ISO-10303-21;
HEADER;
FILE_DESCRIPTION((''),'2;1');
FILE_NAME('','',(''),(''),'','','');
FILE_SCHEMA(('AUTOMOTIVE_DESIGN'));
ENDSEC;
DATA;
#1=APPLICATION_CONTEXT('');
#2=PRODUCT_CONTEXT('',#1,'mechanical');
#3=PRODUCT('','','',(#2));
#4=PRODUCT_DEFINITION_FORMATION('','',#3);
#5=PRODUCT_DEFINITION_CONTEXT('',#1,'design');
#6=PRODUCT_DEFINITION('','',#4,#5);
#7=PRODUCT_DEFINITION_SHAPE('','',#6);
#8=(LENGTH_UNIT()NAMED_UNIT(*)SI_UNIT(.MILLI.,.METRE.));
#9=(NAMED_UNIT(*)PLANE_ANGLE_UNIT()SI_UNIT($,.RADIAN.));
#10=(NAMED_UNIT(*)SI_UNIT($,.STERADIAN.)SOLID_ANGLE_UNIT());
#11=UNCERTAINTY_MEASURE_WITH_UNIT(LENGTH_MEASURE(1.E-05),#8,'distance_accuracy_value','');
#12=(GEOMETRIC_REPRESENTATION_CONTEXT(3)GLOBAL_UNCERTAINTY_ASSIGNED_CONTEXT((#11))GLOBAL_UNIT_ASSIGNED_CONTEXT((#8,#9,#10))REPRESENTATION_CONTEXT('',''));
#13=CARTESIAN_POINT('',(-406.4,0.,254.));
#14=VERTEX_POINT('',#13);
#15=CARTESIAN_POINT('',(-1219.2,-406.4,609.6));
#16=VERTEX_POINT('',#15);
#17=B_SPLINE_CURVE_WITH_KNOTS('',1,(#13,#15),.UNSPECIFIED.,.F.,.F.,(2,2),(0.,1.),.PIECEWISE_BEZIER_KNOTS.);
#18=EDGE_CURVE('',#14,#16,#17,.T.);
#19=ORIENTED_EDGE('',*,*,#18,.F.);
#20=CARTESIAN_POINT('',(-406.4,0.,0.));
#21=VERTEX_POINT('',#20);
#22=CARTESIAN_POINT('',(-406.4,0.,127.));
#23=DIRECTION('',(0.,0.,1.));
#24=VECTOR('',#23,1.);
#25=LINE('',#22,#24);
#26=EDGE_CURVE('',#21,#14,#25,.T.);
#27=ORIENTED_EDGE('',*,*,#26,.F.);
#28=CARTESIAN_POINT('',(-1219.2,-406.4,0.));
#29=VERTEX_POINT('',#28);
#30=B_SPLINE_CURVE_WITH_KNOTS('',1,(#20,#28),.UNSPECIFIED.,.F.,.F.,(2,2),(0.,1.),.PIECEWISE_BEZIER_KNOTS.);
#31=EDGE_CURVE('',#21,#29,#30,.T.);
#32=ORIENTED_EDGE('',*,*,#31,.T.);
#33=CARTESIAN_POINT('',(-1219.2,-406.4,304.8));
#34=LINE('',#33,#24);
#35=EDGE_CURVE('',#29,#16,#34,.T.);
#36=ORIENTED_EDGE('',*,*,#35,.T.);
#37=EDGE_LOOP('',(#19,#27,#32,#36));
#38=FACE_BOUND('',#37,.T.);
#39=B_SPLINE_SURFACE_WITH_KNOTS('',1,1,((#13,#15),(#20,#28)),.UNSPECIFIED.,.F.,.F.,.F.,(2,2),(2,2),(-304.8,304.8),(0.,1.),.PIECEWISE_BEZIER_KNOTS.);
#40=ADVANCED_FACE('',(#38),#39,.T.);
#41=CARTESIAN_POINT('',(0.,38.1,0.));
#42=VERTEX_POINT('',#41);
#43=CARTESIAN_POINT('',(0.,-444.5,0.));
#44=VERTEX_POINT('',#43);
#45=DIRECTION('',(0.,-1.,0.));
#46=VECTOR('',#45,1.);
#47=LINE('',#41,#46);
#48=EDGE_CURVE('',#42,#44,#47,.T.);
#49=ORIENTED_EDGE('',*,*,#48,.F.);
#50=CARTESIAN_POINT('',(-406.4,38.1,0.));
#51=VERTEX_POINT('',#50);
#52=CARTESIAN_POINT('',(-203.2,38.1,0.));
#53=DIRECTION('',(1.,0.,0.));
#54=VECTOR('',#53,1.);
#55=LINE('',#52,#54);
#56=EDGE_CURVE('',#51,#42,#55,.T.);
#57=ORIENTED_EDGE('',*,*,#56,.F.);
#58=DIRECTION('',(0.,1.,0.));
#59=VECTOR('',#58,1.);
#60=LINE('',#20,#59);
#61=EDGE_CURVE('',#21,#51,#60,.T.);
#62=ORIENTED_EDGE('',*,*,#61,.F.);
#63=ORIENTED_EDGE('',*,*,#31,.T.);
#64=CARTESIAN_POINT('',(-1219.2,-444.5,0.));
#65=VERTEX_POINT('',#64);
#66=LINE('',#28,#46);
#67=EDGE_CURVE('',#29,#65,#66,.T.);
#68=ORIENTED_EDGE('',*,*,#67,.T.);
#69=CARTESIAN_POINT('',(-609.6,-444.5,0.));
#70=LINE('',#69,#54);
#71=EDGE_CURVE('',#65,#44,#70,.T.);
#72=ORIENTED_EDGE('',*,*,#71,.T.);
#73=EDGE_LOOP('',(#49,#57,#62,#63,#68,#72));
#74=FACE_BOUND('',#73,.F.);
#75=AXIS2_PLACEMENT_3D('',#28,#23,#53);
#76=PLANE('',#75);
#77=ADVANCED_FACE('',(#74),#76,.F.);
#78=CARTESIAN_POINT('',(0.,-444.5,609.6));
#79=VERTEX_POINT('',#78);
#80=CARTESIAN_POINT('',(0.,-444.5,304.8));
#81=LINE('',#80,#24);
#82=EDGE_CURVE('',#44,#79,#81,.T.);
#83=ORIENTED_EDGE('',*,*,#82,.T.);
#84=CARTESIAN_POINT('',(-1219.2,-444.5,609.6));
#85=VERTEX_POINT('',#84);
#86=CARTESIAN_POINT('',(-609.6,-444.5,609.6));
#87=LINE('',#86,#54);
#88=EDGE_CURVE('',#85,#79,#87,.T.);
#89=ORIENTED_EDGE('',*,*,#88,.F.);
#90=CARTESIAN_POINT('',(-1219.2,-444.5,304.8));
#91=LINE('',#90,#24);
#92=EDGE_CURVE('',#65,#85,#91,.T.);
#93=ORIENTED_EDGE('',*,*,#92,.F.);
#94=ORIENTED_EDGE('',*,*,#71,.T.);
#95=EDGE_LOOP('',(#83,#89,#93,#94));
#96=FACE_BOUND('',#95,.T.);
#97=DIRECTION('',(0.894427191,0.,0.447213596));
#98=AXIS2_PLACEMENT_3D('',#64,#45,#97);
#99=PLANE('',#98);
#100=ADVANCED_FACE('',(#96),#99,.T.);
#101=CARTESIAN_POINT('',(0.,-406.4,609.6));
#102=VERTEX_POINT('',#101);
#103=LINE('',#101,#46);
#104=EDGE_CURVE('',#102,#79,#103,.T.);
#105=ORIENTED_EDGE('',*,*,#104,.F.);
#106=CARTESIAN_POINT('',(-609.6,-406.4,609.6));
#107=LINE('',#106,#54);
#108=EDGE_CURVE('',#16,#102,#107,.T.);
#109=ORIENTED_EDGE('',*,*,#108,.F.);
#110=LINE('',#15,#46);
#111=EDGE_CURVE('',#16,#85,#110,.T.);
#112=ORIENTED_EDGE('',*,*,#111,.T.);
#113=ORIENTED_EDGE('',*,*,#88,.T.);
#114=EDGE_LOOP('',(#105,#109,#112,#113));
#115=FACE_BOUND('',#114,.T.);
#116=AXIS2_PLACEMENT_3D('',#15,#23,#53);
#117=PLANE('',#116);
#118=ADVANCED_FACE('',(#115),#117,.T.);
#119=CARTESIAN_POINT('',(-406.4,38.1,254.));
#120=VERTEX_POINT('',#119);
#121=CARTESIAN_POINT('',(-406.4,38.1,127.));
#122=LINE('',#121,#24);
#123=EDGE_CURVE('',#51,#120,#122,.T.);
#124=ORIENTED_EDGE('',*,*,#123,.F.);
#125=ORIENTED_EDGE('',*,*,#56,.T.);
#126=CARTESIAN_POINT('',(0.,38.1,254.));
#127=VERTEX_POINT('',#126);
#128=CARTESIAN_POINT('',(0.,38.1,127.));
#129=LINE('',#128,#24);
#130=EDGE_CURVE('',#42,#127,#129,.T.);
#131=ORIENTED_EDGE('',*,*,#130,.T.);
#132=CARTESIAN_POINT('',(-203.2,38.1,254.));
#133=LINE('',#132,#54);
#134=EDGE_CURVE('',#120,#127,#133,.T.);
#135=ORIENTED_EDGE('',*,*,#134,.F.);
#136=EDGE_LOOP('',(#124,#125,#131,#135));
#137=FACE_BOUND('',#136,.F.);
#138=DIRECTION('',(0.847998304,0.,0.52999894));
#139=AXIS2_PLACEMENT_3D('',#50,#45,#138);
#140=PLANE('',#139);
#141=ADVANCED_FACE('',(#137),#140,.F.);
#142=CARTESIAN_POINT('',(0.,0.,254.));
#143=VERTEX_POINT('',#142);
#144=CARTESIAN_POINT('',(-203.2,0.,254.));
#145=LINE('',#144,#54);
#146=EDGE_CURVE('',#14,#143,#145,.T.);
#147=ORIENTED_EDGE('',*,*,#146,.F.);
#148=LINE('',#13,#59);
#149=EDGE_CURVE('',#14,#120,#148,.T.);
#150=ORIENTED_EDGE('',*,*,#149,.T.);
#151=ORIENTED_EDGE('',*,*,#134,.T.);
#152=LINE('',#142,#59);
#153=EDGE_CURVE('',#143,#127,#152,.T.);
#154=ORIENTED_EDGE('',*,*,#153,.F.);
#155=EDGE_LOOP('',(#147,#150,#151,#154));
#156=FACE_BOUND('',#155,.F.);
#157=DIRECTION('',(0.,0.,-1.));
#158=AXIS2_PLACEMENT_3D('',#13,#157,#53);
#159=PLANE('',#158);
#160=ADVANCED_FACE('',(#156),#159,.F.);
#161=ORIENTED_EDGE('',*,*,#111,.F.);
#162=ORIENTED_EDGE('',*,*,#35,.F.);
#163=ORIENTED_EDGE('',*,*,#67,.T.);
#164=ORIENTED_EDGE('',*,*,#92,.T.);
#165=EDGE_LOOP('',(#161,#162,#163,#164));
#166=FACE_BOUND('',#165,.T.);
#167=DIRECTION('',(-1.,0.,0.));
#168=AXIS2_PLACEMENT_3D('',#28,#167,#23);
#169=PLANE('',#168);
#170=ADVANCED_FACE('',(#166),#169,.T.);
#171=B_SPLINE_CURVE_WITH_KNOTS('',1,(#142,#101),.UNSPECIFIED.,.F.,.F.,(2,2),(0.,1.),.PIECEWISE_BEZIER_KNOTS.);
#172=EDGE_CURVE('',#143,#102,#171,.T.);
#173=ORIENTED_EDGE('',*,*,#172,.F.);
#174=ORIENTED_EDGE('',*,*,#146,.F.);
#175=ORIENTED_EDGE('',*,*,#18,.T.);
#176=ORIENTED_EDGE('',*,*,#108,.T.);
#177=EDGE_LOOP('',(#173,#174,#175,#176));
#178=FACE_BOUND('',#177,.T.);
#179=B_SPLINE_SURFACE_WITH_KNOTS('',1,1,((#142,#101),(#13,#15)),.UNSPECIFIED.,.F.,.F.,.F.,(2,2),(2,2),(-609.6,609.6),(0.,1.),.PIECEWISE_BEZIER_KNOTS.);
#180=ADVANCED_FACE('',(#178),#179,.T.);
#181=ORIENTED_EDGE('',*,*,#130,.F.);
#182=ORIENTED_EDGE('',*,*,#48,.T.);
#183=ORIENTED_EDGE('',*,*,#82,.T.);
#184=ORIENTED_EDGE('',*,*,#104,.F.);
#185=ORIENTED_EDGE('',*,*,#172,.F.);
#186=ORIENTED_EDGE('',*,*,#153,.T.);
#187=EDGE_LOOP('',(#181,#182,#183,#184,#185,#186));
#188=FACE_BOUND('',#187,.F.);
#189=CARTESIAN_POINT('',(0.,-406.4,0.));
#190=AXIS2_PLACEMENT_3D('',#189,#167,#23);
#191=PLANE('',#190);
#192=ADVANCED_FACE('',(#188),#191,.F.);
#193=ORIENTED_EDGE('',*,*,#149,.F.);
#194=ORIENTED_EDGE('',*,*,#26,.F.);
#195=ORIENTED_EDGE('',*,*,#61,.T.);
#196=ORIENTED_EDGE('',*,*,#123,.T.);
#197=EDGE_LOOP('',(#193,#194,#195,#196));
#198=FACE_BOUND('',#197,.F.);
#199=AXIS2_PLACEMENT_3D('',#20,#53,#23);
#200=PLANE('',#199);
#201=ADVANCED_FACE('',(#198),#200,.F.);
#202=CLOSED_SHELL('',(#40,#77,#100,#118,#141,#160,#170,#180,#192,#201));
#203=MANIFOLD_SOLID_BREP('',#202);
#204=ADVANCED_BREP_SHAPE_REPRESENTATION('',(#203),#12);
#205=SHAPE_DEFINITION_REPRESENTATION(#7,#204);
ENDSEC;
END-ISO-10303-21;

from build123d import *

# Parameters (mm, degrees)
F0_W     = 406.4
F0_H     = 254
F2_W     = 1219.2
F2_H     = 609.6
F4_DEPTH = 38.1
F5_DEPTH = 38.1


with BuildPart() as f3:
    # F0 (on Front) → F3 section 0
    with BuildSketch(Plane.XZ):
        with Locations((-203.2, 127)):
            Rectangle(F0_W, F0_H)
    # F2 (on offset) → F3 section 1
    with BuildSketch(Plane.XZ.offset(406.4)):
        with Locations((-609.6, 304.8)):
            Rectangle(F2_W, F2_H)
    loft()

    # F4 (add): a face of the model
    f4_faces = [f3.faces().sort_by_distance(p)[0] for p in [
        (-203.2, 0, 127),
    ]]
    extrude(f4_faces, amount=F4_DEPTH)

    # F5 (add): a face of the model
    f5_faces = [f3.faces().sort_by_distance(p)[0] for p in [
        (-609.6, -406.4, 304.8),
    ]]
    extrude(f5_faces, amount=F5_DEPTH)


solid = f3.part
